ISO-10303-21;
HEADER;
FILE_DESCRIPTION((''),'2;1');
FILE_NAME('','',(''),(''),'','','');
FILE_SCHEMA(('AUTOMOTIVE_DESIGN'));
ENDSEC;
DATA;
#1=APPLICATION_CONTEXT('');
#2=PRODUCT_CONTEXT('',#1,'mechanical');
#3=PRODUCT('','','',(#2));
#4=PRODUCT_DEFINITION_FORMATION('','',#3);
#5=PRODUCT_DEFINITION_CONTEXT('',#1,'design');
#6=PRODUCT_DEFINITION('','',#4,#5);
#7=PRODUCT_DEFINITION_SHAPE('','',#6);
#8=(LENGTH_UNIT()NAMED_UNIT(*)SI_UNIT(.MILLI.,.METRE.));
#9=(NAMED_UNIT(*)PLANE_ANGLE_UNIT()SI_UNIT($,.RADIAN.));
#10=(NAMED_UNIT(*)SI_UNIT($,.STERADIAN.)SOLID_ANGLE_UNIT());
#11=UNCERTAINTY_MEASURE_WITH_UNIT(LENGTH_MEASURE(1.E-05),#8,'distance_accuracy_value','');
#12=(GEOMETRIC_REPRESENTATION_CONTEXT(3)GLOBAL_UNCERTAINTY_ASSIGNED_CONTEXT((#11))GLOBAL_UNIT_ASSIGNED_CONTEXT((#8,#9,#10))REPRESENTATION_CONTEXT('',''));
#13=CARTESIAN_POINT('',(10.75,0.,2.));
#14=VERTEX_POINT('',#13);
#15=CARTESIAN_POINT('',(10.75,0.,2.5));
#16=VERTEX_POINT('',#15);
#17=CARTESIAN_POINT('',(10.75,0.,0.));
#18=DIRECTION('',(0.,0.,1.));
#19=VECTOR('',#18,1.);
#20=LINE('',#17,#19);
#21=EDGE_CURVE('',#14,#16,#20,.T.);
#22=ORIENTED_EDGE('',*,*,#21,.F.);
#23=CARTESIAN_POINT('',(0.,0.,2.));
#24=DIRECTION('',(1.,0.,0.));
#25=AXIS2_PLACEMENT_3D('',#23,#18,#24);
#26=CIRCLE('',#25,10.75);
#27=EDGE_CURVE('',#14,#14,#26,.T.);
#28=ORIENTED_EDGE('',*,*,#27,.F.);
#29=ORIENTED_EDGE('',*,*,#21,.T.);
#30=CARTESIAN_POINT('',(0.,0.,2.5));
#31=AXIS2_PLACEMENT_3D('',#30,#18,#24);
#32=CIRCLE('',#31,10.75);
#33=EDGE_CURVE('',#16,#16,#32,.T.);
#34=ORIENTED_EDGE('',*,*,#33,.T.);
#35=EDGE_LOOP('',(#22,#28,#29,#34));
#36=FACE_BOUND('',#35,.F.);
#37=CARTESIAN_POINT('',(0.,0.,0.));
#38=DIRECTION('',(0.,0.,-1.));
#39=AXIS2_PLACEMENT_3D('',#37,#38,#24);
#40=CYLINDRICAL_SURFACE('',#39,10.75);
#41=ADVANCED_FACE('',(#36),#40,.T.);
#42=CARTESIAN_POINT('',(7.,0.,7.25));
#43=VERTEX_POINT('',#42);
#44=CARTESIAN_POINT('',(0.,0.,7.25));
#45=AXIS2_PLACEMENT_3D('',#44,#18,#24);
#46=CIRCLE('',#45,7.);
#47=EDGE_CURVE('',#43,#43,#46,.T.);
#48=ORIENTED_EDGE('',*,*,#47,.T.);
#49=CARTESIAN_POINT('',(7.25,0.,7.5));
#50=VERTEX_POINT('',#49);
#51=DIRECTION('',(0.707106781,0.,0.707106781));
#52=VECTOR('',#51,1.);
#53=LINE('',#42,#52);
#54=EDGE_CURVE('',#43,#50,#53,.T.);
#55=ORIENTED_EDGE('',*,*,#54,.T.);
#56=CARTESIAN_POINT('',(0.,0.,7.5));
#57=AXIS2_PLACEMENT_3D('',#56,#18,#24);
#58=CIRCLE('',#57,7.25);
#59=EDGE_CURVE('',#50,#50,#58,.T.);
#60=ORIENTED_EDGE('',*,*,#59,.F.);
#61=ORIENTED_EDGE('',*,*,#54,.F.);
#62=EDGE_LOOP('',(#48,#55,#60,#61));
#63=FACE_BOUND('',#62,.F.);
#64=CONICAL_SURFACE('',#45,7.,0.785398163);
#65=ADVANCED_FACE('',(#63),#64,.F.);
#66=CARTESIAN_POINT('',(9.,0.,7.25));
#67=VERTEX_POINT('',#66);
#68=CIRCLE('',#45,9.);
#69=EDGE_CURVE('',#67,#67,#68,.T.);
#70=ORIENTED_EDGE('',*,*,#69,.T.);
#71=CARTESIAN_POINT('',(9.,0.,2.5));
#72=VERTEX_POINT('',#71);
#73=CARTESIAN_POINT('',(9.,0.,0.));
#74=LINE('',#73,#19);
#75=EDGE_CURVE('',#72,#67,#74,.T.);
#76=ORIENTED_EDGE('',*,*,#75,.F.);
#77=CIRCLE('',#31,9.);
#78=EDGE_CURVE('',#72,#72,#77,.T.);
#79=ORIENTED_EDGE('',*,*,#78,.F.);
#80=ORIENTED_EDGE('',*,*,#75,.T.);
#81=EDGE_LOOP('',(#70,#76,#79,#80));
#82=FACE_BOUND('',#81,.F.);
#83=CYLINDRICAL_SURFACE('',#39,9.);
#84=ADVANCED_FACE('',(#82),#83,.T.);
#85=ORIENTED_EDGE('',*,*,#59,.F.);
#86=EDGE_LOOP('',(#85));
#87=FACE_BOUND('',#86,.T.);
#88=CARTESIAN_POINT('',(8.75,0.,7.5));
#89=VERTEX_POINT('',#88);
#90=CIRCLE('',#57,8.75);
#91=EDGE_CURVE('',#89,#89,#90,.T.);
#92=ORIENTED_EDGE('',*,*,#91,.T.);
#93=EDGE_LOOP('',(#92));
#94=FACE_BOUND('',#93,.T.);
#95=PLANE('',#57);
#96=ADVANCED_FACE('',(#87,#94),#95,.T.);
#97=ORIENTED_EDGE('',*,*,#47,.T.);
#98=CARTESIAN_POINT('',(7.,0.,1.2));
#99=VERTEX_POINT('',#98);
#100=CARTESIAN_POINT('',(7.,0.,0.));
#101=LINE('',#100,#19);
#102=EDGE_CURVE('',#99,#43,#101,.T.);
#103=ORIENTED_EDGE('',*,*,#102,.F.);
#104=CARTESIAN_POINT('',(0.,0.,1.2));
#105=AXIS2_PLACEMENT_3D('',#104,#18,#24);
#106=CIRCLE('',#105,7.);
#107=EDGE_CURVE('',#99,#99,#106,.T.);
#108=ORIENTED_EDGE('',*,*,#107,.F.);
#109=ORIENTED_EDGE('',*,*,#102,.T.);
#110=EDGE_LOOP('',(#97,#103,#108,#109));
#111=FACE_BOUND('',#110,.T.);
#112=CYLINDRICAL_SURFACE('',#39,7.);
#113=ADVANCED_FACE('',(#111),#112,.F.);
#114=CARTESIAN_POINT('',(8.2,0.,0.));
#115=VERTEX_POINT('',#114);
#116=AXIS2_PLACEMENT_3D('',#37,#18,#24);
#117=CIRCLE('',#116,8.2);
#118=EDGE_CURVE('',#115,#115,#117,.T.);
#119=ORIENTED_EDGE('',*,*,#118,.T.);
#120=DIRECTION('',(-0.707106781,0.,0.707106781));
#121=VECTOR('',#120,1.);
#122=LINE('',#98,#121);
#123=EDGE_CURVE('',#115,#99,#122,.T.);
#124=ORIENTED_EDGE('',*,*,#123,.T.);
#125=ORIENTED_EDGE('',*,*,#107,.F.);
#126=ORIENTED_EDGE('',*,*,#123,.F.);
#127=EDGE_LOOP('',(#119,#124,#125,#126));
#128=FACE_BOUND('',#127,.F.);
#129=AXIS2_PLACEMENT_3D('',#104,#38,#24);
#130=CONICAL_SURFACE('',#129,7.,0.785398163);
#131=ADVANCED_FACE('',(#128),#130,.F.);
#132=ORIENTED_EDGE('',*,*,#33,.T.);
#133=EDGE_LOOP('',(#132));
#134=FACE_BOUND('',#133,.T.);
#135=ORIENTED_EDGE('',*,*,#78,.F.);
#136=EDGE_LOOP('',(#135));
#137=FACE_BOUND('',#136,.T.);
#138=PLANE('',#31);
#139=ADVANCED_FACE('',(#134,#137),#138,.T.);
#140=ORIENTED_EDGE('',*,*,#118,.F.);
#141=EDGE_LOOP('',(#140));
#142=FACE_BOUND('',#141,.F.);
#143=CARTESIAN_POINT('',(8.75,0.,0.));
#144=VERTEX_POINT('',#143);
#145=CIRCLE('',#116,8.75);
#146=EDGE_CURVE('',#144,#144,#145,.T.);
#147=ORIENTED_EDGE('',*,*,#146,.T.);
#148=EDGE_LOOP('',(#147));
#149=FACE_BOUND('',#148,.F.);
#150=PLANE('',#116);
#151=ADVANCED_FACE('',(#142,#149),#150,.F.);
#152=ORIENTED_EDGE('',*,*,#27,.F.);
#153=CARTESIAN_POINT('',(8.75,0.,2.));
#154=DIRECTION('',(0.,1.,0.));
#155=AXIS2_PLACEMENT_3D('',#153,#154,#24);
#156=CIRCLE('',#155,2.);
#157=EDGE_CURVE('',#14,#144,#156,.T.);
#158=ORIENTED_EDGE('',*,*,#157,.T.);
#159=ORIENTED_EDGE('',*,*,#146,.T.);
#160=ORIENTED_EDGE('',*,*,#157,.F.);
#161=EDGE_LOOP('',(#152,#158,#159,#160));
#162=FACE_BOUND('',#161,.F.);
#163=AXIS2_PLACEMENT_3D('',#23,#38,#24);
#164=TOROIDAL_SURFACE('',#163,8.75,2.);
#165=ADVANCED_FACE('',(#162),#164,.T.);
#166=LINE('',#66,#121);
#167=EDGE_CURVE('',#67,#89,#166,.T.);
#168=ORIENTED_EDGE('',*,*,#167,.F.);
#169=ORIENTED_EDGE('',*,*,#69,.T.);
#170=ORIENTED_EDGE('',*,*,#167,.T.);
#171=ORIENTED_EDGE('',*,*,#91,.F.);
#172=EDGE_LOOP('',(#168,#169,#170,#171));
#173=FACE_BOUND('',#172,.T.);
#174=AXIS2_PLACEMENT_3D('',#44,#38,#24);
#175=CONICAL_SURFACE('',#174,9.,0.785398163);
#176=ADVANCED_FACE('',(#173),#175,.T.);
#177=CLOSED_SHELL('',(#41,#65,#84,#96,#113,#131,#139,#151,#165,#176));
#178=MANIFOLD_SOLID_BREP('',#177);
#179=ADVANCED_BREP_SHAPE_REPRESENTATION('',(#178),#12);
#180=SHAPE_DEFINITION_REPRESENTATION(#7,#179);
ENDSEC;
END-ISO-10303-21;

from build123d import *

# Parameters (mm, degrees)
F0_R     = 9
F0_R_2   = 7
F1_DEPTH = 7.5
F0_R_3   = 10.75
F2_DEPTH = 2.5
F3_SIZE  = 0.25
F4_R     = 2
F5_SIZE  = 1.2


with BuildPart() as f1:
    # F0 (on Top) → F1 (new body)
    with BuildSketch(Plane.XY):
        Circle(F0_R)
        Circle(F0_R_2, mode=Mode.SUBTRACT)
    extrude(amount=F1_DEPTH)

    # F0 (on Top) → F2 (join)
    with BuildSketch(Plane.XY):
        Circle(F0_R_3)
        Circle(F0_R, mode=Mode.SUBTRACT)
    extrude(amount=F2_DEPTH)

    # F3
    f3_edges = [f1.edges().sort_by_distance(p)[0] for p in [
        (-9, 0, 7.5),
        (-7, 0, 7.5),
    ]]
    chamfer(f3_edges, length=F3_SIZE)

    # F4
    f4_edges = [f1.edges().sort_by_distance(p)[0] for p in [
        (-10.75, 0, 0),
    ]]
    fillet(f4_edges, radius=F4_R)

    # F5
    f5_edges = [f1.edges().sort_by_distance(p)[0] for p in [
        (-7, 0, 0),
    ]]
    chamfer(f5_edges, length=F5_SIZE)


solid = f1.part
